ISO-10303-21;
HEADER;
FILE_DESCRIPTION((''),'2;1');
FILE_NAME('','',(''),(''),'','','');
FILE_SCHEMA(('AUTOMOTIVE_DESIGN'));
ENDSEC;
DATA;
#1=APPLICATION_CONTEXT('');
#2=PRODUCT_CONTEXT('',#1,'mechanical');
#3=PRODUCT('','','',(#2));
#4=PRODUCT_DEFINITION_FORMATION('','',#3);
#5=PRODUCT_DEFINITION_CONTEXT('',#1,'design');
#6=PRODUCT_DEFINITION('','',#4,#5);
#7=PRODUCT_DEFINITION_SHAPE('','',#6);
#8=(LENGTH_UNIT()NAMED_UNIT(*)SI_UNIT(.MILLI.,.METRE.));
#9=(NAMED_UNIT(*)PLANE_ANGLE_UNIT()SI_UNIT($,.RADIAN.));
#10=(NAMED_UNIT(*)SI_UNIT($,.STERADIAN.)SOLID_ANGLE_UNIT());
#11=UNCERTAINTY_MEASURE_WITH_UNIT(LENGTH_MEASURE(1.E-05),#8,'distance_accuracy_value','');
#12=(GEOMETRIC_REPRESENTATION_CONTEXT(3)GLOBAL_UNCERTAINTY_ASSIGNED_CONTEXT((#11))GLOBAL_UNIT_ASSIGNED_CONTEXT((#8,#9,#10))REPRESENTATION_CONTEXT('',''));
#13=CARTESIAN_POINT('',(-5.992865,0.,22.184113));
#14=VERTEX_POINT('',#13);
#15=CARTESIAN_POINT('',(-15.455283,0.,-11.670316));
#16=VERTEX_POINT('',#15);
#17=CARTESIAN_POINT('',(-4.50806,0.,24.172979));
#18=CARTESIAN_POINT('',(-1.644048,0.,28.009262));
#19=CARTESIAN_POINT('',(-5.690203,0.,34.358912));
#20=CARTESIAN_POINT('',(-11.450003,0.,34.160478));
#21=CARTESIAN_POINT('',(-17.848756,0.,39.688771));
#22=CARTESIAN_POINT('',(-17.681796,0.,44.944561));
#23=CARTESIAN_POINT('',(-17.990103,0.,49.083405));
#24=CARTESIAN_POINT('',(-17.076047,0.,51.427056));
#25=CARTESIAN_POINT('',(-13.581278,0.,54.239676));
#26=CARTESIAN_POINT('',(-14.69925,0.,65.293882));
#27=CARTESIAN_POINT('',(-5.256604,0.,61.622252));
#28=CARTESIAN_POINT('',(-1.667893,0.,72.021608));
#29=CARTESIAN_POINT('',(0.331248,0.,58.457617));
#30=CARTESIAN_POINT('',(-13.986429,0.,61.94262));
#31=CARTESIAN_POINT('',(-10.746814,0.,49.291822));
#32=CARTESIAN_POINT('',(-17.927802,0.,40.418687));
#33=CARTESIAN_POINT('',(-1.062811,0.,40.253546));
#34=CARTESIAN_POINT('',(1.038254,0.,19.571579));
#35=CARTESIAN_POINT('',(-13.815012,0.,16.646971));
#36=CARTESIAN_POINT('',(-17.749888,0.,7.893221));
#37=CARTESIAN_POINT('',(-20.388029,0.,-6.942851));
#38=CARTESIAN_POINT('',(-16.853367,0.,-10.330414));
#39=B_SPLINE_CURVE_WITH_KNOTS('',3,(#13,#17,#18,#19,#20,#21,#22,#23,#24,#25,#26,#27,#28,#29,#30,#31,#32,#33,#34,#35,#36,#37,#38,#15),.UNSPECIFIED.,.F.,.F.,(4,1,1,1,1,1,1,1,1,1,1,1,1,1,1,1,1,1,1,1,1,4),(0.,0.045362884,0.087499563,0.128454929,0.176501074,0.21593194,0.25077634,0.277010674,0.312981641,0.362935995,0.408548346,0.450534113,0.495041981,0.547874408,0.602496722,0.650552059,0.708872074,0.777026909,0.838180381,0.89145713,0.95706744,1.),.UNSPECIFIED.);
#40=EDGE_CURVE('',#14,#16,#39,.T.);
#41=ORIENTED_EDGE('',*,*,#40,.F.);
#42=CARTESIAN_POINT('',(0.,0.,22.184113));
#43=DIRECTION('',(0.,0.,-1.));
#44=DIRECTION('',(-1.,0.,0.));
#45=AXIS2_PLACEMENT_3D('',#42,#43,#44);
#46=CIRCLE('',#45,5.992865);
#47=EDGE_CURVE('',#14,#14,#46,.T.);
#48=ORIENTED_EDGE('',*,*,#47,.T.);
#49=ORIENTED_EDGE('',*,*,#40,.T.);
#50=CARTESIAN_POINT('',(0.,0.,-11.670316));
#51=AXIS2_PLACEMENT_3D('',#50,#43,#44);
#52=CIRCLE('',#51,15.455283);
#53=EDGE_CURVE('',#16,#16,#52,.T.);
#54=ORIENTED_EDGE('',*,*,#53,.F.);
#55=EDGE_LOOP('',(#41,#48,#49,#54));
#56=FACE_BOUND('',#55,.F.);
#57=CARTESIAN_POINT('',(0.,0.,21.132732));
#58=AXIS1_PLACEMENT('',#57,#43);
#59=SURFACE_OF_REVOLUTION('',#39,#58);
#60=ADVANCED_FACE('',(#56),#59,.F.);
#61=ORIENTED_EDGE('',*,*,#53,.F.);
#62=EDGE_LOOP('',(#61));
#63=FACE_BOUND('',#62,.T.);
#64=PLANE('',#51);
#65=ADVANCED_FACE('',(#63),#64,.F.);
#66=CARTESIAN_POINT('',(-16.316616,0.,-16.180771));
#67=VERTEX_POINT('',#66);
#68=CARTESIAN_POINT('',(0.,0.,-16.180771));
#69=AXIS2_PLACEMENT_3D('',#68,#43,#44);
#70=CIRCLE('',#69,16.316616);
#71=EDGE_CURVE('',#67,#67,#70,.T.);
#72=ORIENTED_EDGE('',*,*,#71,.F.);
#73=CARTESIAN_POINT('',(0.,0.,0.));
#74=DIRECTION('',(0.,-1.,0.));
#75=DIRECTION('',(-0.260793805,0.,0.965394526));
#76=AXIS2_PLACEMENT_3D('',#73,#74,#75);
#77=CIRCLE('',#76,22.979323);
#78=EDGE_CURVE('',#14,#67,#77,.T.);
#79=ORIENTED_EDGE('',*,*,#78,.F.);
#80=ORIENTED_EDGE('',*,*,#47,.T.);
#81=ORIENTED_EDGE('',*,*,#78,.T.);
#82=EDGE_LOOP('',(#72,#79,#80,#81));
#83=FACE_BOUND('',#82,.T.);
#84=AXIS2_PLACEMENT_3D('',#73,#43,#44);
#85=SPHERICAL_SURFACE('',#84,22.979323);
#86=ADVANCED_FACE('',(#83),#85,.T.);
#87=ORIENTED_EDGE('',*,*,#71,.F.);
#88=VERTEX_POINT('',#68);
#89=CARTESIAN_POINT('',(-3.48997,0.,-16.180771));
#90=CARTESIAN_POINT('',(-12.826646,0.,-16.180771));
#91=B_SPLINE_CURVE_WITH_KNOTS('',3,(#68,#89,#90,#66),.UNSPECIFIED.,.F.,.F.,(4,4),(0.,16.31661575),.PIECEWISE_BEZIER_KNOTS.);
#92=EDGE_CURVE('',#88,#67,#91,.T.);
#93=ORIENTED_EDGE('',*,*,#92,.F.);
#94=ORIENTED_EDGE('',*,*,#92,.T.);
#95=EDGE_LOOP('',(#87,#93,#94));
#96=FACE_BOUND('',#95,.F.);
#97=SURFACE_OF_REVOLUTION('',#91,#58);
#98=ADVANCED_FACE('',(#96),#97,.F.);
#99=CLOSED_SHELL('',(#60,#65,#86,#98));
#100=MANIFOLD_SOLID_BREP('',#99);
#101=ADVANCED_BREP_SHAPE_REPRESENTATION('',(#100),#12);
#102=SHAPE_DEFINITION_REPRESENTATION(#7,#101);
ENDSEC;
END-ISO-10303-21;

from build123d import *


with BuildPart() as f1:
    # F0 (on Front) → F1 (revolve)
    with BuildSketch(Plane.XZ):
        with BuildLine():
            add(Edge.make_bspline(
                [(-5.9928651899, 22.1841130406), (-4.5080595511, 24.1729786755), (-1.6440475237, 28.0092619913), (-5.6902031456, 34.3589118221), (-11.4500029604, 34.160477721), (-17.8487556724, 39.6887712131), (-17.6817960095, 44.9445614613), (-17.9901029315, 49.0834046797), (-17.0760471319, 51.4270557104), (-13.5812784297, 54.2396758498), (-14.6992502486, 65.2938819497), (-5.2566044436, 61.6222517873), (-1.6678934667, 72.0216084573), (0.331248267, 58.45761677), (-13.9864285748, 61.942619741), (-10.7468135738, 49.2918224993), (-17.927801853, 40.4186873662), (-1.0628107219, 40.2535463822), (1.0382541052, 19.5715787117), (-13.8150121485, 16.6469706363), (-17.7498880986, 7.8932207093), (-20.3880288285, -6.9428511795), (-16.8533673626, -10.3304141708), (-15.4552832246, -11.6703156382)],
                knots=[0, 0, 0, 0, 0.0453628839, 0.0874995633, 0.1284549286, 0.1765010741, 0.2159319397, 0.2507763395, 0.2770106739, 0.3129816409, 0.3629359947, 0.4085483459, 0.4505341128, 0.4950419809, 0.5478744076, 0.6024967218, 0.6505520588, 0.7088720744, 0.7770269089, 0.838180381, 0.8914571297, 0.95706744, 1, 1, 1, 1], degree=3))
            ThreePointArc((-5.9928651899, 22.1841130406), (-22.1899598853, 5.9711795209), (-16.3166157504, -16.1807711508))
            add(Edge.make_bspline(
                [(0, -16.1807711508), (-3.4899700829, -16.1807711508), (-12.8266456675, -16.1807711508), (-16.3166157504, -16.1807711508)],
                knots=[0, 0, 0, 0, 16.3166157504, 16.3166157504, 16.3166157504, 16.3166157504], degree=3))
            Line((0, -16.1807711508), (0, -11.6703156382))
            Line((0, -11.6703156382), (-15.4552832246, -11.6703156382))
        make_face()
    revolve(axis=Axis((0, 0, 21.1327318102), (0, 0, -1)))


solid = f1.part
